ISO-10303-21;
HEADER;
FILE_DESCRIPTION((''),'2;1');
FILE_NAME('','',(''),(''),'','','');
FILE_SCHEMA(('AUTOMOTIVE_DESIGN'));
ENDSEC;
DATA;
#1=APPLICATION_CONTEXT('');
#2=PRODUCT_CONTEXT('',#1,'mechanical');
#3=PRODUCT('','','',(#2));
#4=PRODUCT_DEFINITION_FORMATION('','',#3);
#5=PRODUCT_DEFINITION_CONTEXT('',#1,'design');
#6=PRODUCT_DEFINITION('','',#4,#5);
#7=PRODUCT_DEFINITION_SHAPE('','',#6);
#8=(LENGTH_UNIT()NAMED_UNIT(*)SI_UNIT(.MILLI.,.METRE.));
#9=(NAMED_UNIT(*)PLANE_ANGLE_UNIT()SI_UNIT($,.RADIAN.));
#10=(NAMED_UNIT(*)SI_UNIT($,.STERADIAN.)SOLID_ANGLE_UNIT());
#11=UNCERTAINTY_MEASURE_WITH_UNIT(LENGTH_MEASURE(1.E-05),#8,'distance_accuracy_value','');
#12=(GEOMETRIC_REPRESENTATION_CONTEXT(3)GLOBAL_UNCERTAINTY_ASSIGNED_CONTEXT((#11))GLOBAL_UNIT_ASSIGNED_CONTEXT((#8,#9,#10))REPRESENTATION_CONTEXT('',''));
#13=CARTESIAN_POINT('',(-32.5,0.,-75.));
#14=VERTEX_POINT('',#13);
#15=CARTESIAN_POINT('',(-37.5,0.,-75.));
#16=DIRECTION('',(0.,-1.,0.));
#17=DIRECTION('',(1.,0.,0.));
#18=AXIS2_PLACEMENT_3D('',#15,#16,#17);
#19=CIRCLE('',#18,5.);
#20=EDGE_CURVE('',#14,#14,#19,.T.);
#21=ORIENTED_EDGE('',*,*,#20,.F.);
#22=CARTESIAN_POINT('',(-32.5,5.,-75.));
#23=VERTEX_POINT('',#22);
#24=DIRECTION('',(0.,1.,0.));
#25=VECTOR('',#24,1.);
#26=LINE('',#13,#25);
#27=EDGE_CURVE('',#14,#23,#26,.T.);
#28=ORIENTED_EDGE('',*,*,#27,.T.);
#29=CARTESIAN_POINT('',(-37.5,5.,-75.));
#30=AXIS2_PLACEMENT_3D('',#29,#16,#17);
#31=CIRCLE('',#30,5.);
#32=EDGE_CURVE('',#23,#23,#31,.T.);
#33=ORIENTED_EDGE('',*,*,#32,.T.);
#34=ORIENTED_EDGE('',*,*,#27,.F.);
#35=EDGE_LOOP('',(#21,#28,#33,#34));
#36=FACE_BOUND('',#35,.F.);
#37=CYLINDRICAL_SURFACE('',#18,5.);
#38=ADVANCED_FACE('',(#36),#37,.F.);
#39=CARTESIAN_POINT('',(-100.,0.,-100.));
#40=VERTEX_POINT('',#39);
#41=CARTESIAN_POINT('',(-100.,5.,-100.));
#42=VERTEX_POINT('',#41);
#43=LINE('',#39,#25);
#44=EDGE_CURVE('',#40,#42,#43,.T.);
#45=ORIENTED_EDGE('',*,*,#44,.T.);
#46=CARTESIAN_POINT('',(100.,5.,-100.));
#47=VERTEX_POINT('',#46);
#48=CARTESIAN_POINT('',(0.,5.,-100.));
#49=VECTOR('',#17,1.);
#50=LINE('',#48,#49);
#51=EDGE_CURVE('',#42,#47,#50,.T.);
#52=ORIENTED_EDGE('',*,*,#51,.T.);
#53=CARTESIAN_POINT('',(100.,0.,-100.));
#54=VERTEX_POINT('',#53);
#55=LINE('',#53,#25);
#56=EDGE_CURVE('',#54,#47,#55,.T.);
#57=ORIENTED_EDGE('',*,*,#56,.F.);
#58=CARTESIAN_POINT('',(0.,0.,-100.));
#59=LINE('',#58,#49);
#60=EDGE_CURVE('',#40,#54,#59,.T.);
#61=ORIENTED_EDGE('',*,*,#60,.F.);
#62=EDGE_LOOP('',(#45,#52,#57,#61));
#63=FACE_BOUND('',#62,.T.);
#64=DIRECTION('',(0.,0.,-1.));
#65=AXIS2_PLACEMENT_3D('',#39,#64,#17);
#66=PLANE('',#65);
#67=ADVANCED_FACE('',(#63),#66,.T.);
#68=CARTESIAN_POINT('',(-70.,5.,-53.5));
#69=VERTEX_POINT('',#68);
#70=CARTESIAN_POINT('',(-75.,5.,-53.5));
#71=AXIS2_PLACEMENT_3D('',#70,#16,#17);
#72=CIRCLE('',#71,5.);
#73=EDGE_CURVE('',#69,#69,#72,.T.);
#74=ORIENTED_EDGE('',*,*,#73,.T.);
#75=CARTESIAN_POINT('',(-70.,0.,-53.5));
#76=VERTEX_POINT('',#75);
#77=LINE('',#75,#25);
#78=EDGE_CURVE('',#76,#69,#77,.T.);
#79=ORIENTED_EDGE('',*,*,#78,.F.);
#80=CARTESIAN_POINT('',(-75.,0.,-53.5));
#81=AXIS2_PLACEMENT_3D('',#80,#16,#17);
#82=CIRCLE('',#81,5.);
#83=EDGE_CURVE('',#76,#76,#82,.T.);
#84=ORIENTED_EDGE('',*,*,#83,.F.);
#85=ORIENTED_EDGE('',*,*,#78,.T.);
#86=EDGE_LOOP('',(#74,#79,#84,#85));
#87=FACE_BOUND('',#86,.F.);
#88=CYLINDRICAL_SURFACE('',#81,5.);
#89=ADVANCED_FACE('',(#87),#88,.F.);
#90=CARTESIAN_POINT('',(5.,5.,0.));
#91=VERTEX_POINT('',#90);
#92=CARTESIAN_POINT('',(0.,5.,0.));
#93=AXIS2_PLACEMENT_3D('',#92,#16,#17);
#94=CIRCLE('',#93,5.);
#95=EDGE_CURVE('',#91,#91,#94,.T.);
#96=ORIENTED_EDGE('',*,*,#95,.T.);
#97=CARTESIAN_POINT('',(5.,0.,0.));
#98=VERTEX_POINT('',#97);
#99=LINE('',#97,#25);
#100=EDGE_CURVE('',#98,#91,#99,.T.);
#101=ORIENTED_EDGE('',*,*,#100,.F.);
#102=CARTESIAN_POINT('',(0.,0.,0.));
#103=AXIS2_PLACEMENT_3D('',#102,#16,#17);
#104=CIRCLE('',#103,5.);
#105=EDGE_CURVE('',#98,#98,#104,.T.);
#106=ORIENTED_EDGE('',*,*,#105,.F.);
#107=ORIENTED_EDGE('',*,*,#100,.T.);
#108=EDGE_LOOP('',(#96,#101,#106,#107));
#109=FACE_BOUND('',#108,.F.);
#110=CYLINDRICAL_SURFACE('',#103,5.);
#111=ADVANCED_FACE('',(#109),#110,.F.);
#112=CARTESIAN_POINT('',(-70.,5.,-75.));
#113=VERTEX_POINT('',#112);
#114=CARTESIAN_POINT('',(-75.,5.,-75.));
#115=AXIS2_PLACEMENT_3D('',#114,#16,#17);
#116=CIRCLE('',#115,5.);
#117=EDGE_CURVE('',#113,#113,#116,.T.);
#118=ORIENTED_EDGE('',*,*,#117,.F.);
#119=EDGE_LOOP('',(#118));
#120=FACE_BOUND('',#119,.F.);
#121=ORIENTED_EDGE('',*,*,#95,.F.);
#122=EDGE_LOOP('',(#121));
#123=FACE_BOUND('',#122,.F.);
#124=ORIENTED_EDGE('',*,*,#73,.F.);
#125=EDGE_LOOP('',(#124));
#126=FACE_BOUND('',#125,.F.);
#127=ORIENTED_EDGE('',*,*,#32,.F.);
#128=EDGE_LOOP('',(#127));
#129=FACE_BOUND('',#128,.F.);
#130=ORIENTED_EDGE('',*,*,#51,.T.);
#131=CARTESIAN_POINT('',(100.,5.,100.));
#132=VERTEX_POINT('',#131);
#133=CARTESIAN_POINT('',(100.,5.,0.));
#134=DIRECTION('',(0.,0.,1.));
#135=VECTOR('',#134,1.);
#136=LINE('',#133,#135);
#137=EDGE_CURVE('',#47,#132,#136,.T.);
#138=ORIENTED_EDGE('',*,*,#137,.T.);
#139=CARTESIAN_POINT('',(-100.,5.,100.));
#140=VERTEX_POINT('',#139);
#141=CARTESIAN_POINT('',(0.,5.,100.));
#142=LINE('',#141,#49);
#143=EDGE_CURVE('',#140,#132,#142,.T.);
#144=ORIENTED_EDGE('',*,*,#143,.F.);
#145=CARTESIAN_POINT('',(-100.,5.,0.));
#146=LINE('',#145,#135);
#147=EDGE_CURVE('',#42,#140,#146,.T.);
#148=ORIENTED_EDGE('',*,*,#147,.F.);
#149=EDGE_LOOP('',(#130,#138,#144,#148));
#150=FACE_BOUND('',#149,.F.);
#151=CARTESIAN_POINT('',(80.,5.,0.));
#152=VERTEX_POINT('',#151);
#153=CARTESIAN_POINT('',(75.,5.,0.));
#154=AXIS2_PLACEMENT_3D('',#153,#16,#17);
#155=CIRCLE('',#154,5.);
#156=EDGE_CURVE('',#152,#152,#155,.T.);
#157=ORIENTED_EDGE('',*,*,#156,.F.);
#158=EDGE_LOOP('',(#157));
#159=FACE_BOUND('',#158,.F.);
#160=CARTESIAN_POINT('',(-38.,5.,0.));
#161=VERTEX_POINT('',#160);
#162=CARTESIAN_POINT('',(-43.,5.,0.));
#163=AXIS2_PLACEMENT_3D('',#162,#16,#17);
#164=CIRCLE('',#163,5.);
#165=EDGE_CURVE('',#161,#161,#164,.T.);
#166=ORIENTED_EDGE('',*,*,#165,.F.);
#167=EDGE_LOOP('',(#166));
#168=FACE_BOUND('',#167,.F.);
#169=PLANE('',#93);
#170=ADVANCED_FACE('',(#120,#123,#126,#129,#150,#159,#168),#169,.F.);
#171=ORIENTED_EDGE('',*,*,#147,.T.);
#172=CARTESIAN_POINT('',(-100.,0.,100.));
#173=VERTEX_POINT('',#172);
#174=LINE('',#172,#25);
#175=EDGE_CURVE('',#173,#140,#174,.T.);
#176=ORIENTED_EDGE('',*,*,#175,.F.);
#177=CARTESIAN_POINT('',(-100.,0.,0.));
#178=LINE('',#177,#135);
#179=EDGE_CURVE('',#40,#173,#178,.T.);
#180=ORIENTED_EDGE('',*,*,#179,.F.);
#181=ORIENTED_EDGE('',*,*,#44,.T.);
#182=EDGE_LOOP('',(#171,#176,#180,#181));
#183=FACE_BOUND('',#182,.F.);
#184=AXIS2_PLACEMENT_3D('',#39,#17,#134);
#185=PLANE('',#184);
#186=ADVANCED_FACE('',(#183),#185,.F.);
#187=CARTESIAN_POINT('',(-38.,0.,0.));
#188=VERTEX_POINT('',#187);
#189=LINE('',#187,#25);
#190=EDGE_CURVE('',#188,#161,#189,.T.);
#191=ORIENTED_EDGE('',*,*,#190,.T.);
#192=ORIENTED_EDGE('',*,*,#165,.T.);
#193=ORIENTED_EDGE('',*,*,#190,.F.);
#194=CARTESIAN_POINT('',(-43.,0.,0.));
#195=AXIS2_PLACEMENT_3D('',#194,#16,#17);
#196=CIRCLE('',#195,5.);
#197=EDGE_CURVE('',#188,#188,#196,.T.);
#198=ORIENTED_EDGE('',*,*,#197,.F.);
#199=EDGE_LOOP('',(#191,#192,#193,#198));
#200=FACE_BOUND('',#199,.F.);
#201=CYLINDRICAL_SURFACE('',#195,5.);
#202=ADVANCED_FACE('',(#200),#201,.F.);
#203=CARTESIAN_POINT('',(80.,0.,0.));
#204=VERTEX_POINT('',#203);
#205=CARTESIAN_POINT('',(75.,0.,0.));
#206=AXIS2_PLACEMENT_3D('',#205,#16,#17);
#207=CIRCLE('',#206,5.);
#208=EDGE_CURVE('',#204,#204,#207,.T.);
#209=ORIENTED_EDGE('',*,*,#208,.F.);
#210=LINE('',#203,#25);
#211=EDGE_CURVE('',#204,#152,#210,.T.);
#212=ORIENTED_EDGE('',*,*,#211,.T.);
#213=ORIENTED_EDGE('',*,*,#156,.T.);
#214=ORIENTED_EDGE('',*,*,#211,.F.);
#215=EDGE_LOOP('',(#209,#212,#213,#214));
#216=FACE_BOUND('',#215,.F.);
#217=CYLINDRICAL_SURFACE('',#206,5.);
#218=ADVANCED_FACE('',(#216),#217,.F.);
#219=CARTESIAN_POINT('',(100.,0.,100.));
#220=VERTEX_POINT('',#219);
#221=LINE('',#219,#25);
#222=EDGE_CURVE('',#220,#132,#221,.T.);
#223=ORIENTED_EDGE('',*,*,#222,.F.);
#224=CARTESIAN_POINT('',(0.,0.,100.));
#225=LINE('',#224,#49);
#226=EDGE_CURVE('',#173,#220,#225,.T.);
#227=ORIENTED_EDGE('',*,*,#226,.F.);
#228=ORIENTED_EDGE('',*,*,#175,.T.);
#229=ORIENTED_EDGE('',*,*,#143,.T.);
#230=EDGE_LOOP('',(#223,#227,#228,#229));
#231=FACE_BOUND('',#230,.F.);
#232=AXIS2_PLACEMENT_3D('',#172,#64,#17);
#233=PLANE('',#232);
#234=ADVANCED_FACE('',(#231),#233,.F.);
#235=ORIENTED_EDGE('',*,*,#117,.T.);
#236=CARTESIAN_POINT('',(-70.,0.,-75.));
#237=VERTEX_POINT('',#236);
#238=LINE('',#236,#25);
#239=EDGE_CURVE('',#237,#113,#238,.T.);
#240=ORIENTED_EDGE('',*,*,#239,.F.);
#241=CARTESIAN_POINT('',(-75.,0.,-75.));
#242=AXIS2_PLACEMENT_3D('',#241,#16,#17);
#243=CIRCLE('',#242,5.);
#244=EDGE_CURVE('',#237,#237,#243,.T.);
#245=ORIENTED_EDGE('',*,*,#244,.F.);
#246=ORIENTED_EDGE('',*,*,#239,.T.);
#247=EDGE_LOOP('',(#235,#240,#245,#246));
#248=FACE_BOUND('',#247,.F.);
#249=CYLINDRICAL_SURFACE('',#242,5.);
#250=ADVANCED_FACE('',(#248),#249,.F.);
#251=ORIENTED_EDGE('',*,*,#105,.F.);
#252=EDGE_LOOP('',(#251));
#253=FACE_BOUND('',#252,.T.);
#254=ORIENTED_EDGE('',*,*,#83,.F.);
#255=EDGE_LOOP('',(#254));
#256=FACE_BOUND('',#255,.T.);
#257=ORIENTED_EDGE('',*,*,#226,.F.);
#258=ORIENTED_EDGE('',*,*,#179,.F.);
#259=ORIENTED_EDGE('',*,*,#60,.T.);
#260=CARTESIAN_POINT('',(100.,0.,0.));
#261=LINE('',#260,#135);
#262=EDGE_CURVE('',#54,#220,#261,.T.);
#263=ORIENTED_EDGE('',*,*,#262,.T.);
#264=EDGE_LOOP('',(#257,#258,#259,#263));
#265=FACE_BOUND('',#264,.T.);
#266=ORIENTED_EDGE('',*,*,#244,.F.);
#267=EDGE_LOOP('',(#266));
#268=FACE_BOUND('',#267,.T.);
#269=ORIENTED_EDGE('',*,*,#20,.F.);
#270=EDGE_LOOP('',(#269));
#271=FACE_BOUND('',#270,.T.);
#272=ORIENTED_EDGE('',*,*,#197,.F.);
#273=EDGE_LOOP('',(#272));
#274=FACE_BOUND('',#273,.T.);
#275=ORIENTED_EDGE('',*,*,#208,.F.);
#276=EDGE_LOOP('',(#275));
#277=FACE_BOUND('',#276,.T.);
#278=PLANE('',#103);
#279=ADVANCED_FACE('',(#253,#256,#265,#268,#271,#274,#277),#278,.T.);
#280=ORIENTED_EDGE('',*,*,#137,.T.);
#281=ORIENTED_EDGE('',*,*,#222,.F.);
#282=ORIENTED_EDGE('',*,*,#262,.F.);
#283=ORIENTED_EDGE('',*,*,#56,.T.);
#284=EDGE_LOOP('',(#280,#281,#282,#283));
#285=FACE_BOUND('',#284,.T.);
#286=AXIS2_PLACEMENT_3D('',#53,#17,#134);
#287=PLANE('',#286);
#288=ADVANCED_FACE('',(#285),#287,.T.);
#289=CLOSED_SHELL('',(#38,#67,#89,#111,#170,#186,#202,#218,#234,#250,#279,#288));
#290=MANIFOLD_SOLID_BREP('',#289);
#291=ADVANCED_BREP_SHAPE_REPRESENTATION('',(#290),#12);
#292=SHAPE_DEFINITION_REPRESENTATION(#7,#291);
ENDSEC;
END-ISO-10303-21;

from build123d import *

# Parameters (mm, degrees)
F0_W     = 200
F0_H     = 200
F0_R     = 5
F1_DEPTH = 5


with BuildPart() as f1:
    # F0 (on Front) → F1 (new body)
    with BuildSketch(Plane.XZ):
        Rectangle(F0_W, F0_H)
        with Locations((-75, -75)):
            Circle(F0_R, mode=Mode.SUBTRACT)
        with Locations((-75, -53.5)):
            Circle(F0_R, mode=Mode.SUBTRACT)
        with Locations((-37.5, -75)):
            Circle(F0_R, mode=Mode.SUBTRACT)
        with Locations((-43, 0)):
            Circle(F0_R, mode=Mode.SUBTRACT)
        Circle(F0_R, mode=Mode.SUBTRACT)
        with Locations((75, 0)):
            Circle(F0_R, mode=Mode.SUBTRACT)
    extrude(amount=-F1_DEPTH)


solid = f1.part
